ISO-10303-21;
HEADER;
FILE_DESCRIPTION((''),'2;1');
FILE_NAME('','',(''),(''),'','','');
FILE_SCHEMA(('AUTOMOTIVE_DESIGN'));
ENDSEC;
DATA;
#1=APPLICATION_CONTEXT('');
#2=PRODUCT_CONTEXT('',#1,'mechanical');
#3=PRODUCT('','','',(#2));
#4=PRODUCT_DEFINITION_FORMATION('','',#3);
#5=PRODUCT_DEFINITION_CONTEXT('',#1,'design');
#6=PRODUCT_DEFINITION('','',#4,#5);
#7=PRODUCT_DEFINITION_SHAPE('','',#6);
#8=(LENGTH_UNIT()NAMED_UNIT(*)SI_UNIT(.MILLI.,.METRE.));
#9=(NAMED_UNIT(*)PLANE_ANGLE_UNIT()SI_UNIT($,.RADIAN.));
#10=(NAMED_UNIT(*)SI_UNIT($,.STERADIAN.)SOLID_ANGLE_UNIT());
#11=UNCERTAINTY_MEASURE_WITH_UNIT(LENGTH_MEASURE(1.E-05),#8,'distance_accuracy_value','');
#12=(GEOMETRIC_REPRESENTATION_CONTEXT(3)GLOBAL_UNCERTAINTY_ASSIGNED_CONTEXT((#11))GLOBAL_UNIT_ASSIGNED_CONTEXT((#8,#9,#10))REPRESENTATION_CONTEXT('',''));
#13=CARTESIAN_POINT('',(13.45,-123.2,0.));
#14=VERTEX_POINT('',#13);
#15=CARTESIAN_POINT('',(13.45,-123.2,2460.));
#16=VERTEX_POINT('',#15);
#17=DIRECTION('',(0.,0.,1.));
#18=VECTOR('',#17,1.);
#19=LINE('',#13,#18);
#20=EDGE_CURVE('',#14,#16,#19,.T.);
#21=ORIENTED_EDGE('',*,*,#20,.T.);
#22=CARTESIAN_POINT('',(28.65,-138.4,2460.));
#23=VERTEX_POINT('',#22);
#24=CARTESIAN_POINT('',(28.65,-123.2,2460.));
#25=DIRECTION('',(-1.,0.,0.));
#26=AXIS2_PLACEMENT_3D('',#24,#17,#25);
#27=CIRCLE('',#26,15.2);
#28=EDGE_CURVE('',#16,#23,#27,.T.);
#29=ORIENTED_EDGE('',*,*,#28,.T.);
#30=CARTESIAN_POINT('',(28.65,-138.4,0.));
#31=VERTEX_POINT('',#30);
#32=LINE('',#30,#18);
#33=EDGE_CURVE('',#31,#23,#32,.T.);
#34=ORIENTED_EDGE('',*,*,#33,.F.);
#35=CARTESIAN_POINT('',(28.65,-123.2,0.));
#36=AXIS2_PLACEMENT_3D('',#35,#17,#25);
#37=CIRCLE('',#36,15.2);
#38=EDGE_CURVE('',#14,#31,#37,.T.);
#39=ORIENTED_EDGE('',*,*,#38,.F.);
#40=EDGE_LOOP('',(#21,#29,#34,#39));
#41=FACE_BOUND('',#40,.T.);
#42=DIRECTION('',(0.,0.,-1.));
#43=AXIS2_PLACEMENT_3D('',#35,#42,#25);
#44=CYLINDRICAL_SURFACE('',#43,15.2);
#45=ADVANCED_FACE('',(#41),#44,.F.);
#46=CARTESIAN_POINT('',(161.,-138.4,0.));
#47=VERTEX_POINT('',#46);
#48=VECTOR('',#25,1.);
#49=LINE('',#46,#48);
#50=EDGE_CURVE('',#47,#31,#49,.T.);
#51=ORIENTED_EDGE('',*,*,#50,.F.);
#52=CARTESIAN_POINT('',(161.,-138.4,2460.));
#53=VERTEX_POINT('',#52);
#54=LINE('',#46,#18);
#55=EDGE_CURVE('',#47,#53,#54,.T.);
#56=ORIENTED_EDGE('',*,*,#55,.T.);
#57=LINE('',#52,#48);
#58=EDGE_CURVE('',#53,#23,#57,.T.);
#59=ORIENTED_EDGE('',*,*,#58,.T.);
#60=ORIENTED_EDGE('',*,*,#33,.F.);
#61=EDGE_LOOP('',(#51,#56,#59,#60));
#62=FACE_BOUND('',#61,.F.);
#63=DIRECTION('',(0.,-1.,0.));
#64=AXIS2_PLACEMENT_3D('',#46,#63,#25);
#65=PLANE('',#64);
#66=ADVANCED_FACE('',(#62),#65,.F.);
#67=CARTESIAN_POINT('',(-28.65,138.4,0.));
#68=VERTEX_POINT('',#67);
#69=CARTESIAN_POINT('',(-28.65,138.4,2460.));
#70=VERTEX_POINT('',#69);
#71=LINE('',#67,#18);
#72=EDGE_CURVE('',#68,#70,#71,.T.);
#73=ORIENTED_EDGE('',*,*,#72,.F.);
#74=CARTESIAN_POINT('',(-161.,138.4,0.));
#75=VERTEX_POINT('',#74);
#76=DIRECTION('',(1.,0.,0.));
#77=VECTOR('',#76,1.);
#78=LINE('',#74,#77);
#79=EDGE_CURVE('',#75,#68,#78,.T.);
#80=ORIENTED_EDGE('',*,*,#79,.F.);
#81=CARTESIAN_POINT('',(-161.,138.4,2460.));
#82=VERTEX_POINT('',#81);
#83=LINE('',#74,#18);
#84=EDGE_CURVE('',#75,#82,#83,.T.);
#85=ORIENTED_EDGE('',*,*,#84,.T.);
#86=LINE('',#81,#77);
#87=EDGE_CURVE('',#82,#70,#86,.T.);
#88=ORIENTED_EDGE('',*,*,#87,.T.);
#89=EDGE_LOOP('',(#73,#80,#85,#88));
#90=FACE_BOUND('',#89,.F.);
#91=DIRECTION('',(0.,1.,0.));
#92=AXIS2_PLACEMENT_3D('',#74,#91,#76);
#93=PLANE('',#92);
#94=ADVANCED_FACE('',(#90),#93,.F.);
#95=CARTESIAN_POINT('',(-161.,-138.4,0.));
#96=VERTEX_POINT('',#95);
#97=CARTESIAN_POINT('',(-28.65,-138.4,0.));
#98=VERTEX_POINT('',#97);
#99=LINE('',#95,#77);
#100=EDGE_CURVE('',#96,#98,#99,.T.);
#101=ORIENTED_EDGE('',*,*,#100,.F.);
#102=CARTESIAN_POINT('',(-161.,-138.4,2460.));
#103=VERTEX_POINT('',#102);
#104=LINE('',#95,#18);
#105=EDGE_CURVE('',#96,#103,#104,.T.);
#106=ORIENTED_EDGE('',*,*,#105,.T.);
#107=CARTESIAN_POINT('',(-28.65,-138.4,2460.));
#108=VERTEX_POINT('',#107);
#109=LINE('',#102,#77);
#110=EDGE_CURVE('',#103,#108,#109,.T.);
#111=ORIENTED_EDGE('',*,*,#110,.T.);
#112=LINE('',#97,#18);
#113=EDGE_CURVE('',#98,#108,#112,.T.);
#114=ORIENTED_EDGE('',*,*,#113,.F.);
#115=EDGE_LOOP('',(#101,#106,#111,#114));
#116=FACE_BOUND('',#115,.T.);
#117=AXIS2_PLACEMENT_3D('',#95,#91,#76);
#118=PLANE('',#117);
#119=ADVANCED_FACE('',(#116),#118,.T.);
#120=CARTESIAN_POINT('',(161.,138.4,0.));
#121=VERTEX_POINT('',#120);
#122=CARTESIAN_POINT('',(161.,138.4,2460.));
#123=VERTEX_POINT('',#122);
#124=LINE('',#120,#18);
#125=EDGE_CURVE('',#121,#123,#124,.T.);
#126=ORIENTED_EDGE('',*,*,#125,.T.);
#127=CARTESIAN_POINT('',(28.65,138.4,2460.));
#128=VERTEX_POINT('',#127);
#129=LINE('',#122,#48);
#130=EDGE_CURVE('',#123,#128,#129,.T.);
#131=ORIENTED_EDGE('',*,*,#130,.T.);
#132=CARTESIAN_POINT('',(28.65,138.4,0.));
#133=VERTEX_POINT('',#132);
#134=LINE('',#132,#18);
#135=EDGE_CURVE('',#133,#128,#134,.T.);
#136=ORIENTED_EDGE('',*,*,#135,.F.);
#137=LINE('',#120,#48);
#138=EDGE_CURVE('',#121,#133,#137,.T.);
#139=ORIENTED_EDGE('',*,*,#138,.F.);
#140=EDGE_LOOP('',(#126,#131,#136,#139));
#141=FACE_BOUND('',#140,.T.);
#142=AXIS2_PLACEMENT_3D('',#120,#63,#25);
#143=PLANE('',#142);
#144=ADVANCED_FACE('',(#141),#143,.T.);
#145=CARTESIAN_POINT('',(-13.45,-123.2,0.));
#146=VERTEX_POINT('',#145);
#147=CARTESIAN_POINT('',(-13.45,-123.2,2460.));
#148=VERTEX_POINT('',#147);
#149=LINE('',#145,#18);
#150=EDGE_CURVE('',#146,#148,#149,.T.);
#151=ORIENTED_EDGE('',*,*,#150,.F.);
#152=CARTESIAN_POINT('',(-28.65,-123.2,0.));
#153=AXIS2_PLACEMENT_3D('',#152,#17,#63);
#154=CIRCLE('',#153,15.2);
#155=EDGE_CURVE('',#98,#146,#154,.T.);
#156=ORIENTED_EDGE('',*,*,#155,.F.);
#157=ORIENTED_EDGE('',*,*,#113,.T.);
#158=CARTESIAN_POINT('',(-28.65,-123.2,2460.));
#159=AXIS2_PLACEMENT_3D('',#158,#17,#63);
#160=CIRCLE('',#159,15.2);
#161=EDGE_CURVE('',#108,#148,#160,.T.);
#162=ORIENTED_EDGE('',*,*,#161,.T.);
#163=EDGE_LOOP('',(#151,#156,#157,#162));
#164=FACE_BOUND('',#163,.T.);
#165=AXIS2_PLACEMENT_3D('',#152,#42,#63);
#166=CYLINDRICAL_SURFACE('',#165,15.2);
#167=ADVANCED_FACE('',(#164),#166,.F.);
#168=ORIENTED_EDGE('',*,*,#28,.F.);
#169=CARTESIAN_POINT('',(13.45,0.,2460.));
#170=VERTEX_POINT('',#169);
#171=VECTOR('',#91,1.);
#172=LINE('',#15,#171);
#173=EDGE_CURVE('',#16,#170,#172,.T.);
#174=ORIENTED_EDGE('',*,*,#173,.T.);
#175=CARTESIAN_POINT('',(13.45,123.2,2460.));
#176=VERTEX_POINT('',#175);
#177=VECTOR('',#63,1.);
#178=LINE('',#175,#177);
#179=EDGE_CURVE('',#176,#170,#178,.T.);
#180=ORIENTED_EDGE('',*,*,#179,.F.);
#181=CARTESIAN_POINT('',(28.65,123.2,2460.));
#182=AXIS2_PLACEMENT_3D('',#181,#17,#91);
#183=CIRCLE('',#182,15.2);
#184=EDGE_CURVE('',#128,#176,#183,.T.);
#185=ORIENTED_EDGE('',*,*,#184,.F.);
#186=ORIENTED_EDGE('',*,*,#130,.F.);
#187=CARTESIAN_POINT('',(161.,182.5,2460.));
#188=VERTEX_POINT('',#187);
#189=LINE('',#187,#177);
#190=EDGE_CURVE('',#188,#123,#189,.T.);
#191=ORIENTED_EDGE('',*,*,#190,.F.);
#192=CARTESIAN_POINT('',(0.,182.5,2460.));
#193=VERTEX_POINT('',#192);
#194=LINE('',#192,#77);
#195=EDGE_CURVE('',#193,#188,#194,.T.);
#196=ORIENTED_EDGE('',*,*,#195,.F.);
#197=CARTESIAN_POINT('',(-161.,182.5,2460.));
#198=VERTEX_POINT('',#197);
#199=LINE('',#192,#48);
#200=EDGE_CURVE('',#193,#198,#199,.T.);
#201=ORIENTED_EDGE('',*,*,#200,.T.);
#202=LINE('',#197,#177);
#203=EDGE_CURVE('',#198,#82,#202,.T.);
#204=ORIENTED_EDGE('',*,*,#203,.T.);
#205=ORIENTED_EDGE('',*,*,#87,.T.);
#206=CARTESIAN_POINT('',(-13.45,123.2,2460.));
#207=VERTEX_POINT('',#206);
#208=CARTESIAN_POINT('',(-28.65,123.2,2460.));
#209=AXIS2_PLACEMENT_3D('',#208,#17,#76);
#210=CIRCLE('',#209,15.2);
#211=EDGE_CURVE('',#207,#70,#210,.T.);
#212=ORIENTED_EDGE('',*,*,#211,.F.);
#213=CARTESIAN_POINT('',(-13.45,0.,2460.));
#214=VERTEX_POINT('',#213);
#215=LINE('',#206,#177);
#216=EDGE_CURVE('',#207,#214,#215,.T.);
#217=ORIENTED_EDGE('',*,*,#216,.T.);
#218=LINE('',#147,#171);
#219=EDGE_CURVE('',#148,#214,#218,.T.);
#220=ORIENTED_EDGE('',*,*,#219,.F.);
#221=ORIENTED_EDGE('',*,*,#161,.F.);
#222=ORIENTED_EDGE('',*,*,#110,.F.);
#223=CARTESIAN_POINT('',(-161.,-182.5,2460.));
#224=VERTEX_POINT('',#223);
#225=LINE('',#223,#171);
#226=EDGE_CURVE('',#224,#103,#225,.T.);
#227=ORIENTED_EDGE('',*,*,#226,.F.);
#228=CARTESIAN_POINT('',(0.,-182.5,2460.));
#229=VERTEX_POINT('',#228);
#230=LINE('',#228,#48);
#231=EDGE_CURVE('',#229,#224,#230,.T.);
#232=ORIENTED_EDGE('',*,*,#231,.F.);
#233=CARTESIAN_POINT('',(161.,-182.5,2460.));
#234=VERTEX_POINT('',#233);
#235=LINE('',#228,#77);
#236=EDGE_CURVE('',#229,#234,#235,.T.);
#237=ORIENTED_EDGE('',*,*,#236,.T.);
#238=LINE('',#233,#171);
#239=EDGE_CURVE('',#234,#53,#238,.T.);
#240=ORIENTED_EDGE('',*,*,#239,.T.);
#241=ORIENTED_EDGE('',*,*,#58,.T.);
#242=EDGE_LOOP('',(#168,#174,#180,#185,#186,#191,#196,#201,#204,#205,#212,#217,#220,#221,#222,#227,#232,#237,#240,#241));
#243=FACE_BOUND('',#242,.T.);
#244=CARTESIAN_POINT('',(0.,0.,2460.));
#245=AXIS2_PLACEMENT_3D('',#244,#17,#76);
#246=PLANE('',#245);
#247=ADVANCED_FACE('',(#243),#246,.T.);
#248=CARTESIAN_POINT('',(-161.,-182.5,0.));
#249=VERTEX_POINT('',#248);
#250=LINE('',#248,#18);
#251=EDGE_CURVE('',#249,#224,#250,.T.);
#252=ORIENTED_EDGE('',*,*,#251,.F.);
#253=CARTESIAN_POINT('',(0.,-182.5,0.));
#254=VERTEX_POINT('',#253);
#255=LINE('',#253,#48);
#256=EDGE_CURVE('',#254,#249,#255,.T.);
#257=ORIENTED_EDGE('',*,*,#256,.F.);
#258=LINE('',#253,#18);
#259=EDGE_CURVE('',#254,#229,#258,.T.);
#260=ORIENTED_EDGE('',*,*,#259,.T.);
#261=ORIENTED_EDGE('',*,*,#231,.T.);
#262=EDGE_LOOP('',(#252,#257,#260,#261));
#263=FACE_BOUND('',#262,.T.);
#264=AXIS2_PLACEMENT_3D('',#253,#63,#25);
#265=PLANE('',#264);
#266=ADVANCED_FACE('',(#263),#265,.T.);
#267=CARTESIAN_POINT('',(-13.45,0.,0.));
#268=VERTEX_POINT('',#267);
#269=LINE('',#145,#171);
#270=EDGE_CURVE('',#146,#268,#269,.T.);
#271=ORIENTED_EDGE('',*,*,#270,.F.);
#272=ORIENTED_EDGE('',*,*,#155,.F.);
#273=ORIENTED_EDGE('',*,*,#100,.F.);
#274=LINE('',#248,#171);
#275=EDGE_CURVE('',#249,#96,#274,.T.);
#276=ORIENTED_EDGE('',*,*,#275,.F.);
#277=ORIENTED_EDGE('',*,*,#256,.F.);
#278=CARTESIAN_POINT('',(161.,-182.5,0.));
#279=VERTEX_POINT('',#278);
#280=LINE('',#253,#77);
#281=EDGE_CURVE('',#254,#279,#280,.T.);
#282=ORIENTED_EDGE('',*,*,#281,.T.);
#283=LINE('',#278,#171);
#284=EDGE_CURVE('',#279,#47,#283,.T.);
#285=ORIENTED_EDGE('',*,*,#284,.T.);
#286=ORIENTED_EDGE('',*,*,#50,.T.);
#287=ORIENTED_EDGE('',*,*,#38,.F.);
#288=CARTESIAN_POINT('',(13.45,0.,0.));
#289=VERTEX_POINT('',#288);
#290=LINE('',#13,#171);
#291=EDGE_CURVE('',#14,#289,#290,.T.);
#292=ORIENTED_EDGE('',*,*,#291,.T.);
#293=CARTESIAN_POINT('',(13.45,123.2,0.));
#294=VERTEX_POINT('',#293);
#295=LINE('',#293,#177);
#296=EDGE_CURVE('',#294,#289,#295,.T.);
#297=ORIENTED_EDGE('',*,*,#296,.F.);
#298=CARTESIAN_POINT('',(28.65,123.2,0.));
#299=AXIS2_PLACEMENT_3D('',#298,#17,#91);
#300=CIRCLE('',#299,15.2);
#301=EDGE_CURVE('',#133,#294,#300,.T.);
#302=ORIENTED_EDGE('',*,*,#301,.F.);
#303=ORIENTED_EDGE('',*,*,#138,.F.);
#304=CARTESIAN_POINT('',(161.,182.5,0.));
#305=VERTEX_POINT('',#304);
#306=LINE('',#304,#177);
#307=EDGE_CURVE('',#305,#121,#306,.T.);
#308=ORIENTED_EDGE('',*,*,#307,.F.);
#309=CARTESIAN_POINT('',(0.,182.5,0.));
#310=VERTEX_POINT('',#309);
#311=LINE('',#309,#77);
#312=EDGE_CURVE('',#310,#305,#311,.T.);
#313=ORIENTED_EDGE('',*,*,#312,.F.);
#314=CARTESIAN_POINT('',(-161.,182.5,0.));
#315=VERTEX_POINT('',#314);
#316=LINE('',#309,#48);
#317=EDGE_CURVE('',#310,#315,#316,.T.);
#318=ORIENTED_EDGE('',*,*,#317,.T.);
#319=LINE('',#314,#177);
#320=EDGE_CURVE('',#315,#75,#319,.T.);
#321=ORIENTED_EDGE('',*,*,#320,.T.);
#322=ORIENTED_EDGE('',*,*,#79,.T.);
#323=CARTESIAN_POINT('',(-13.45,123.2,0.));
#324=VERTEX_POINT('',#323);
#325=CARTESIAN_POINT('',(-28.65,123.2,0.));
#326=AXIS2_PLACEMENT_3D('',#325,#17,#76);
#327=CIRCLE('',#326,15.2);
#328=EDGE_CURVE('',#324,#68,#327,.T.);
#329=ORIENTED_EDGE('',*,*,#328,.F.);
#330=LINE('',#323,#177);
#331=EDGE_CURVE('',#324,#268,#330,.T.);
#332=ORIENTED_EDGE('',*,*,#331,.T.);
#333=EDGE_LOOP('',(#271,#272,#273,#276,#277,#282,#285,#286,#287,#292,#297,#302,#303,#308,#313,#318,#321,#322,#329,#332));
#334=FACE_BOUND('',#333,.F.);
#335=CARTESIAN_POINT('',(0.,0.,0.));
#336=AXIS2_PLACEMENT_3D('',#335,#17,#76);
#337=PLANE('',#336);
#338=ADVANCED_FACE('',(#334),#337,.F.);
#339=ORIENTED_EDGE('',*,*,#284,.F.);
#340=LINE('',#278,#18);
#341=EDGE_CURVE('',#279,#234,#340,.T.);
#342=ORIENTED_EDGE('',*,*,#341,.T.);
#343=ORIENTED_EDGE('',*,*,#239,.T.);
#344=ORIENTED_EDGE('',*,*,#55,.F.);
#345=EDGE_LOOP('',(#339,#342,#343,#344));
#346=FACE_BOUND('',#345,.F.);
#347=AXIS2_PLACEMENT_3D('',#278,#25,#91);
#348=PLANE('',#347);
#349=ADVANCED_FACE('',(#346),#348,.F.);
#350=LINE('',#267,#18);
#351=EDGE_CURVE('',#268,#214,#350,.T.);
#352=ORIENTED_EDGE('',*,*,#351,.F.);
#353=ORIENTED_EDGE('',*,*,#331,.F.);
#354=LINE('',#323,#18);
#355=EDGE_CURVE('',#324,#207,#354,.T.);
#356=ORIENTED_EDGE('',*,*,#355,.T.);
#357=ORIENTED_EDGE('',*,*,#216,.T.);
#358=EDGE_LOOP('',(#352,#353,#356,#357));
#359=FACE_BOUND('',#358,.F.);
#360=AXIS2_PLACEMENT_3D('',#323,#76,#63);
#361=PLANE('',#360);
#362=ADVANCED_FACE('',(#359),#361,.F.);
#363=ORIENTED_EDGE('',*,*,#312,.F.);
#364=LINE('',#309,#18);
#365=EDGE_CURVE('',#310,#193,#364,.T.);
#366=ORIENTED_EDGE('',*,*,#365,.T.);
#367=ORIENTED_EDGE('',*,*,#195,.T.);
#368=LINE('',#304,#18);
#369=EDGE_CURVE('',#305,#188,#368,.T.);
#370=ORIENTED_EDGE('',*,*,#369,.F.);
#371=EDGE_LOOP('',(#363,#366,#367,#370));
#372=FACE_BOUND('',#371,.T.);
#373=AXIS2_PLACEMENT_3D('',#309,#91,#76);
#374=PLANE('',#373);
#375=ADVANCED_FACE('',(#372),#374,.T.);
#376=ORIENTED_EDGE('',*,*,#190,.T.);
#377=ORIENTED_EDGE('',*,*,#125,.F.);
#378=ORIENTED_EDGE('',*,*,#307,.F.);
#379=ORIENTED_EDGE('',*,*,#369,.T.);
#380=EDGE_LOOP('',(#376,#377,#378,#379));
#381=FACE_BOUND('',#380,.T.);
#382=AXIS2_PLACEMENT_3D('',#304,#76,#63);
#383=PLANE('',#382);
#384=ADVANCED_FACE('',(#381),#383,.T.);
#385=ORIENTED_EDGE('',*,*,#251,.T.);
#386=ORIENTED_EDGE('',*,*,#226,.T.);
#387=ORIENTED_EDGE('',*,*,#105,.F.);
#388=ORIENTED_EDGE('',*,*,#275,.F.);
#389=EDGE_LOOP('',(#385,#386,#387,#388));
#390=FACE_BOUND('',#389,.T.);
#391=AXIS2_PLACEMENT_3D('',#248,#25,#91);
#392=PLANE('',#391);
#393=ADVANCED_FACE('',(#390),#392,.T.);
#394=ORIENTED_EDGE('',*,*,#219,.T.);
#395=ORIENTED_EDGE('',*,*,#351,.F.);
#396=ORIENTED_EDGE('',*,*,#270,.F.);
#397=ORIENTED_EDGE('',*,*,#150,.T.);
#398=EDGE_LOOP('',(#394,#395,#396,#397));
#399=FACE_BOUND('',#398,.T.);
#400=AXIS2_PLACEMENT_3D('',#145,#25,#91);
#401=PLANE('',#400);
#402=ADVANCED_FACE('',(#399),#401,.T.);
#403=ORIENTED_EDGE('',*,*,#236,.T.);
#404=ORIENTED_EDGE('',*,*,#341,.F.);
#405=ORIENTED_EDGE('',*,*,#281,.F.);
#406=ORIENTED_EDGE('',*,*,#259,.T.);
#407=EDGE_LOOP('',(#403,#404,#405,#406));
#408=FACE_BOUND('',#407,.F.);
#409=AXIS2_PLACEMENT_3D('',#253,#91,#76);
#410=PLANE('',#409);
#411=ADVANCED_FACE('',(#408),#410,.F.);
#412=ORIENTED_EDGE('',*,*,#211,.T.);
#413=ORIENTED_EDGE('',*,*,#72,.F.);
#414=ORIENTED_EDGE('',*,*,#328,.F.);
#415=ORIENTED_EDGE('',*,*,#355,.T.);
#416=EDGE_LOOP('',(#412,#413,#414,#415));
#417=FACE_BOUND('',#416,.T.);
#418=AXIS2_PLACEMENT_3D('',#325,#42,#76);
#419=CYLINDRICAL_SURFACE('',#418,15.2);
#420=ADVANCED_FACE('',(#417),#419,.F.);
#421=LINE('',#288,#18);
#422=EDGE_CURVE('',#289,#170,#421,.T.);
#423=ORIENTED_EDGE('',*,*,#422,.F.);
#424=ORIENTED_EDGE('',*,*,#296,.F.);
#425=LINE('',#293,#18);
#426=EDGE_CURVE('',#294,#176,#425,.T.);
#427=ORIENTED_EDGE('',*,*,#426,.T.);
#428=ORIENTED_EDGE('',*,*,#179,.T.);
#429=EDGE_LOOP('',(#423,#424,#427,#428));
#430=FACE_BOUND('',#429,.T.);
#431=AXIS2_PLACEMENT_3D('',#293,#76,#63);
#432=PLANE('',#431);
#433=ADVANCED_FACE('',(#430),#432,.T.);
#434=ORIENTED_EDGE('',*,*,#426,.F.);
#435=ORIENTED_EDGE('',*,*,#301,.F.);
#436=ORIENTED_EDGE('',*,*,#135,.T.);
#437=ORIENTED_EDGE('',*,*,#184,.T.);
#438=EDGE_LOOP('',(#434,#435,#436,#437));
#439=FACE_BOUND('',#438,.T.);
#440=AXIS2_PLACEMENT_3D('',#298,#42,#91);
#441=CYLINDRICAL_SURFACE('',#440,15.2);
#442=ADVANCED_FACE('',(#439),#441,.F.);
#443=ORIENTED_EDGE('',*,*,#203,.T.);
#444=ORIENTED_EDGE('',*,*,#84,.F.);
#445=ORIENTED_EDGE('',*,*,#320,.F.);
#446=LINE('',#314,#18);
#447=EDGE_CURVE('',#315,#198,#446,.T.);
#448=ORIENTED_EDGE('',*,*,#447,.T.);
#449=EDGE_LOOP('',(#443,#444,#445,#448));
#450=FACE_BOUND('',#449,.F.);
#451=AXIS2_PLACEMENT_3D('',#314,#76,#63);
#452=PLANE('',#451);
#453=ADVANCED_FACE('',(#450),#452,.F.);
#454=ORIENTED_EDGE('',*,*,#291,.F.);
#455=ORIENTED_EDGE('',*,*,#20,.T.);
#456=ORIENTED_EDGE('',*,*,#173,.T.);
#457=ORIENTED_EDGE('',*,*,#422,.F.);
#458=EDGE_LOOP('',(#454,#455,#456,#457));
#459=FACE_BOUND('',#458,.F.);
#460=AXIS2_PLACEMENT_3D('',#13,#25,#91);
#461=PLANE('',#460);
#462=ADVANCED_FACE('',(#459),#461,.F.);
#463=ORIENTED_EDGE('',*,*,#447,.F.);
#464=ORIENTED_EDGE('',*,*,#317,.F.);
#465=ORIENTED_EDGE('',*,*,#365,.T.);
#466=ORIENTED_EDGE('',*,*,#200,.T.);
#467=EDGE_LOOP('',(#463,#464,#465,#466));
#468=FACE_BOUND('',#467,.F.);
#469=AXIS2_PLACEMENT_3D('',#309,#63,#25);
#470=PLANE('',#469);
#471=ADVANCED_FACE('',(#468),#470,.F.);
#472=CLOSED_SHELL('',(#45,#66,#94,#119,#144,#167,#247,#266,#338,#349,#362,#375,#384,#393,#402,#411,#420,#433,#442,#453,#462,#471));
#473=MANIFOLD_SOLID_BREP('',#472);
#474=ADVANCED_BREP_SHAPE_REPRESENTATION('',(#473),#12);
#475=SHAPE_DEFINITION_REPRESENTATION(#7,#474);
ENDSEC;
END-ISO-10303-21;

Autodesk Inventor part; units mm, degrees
ref_plane "YZ Plane" through (0, 0, 0) normal (1, 0, 0) x (0, 1, 0)
ref_plane "Start plane" through (0, 0, 0) normal (0, 0, 1) x (1, 0, 0)
ref_plane "End plane" through (0, 0, 2460) normal (0, 0, 1) x (1, 0, 0)
sketch "Sketch" plane through (0, 0, 0) normal (0, 0, 1) x (1, 0, 0)
  line L0 (-161, -182.5) -> (-161, -138.4)
  line L1 (-161, -138.4) -> (-28.65, -138.4)
  line L2 (-13.45, -123.2) -> (-13.45, 0)
  line L3 (-13.45, 0) -> (0, 0) construction
  line L4 (0, 0) -> (0, -182.5) construction
  line L5 (0, -182.5) -> (-161, -182.5)
  line L6 (-60, 0) -> (80, 0) construction
  line L7 (0, -60) -> (0, 80) construction
  line L8 (161, -182.5) -> (161, -138.4)
  line L9 (161, -138.4) -> (28.65, -138.4)
  line L10 (13.45, -123.2) -> (13.45, 0)
  line L11 (13.45, 0) -> (0, 0) construction
  line L12 (0, -182.5) -> (161, -182.5)
  line L13 (-161, 182.5) -> (-161, 138.4)
  line L14 (-161, 138.4) -> (-28.65, 138.4)
  line L15 (-13.45, 123.2) -> (-13.45, 0)
  line L16 (0, 182.5) -> (-161, 182.5)
  line L17 (161, 182.5) -> (161, 138.4)
  line L18 (161, 138.4) -> (28.65, 138.4)
  line L19 (0, 182.5) -> (161, 182.5)
  line L20 (13.45, 123.2) -> (13.45, 0)
  arc A0 (-13.45, 123.2) -> (-28.65, 138.4) centre (-28.65, 123.2) ccw
  arc A1 (28.65, 138.4) -> (13.45, 123.2) centre (28.65, 123.2) ccw
  arc A2 (13.45, -123.2) -> (28.65, -138.4) centre (28.65, -123.2) ccw
  arc A3 (-28.65, -138.4) -> (-13.45, -123.2) centre (-28.65, -123.2) ccw
  line L21 (0, 108) -> (0, -88) construction
  line L22 (-88, 0) -> (108, 0) construction
  point P0 (-13.45, -138.4)
  point P1 (13.45, -138.4)
  point P2 (-13.45, 138.4)
  point P3 (13.45, 138.4)
  dimension "d1" = 182.5
  dimension "d2" = 44.1
  dimension "d3" = 161
  dimension "d4" = 13.45
  dimension "d10" = 15.2
extrude "Body" add sketch "Sketch" along normal up to surface (2460 mm away) from surface at 0
sketch "Sketch4" plane through (0, 0, 0) normal (0, 0, 1) x (1, 0, 0)
  line L0 (0, 0) -> (10, 0)
ref_plane "Work Plane3" through (0, 0, 0) normal (0, -1, 0) x (1, 0, 0)
sketch "Sketch5" plane through (0, 0, 0) normal (0, -1, 0) x (1, 0, 0)
  line L0 (-2, 0) -> (12, 0) projected
  line L1 (-2, 2460) -> (12, 2460) projected
  dimension "d14" = 2460
equation "\"d1\" = 0.5 * G_H"
equation "\"d2\" = G_T1"
equation "\"d3\" = 0.5 * G_W"
equation "\"d4\" = 0.5 * G_T"
equation "\"d10\" = G_IR"
equation "\"d5\" = G_L"
equation "\"G_W\" = 322"
equation "\"G_H\" = 365"
equation "\"G_T\" = 26.9"
equation "\"G_T1\" = 44.1"
equation "\"G_IR\" = 15.2"
equation "\"G_L\" = d14"
equation "\"G_OFFSET_START\" = 0"
equation "\"G_OFFSET_END\" = 0"
properties part number "AS 3679 - 310 UC - 283 - 2460" material "Steel, Mild"
